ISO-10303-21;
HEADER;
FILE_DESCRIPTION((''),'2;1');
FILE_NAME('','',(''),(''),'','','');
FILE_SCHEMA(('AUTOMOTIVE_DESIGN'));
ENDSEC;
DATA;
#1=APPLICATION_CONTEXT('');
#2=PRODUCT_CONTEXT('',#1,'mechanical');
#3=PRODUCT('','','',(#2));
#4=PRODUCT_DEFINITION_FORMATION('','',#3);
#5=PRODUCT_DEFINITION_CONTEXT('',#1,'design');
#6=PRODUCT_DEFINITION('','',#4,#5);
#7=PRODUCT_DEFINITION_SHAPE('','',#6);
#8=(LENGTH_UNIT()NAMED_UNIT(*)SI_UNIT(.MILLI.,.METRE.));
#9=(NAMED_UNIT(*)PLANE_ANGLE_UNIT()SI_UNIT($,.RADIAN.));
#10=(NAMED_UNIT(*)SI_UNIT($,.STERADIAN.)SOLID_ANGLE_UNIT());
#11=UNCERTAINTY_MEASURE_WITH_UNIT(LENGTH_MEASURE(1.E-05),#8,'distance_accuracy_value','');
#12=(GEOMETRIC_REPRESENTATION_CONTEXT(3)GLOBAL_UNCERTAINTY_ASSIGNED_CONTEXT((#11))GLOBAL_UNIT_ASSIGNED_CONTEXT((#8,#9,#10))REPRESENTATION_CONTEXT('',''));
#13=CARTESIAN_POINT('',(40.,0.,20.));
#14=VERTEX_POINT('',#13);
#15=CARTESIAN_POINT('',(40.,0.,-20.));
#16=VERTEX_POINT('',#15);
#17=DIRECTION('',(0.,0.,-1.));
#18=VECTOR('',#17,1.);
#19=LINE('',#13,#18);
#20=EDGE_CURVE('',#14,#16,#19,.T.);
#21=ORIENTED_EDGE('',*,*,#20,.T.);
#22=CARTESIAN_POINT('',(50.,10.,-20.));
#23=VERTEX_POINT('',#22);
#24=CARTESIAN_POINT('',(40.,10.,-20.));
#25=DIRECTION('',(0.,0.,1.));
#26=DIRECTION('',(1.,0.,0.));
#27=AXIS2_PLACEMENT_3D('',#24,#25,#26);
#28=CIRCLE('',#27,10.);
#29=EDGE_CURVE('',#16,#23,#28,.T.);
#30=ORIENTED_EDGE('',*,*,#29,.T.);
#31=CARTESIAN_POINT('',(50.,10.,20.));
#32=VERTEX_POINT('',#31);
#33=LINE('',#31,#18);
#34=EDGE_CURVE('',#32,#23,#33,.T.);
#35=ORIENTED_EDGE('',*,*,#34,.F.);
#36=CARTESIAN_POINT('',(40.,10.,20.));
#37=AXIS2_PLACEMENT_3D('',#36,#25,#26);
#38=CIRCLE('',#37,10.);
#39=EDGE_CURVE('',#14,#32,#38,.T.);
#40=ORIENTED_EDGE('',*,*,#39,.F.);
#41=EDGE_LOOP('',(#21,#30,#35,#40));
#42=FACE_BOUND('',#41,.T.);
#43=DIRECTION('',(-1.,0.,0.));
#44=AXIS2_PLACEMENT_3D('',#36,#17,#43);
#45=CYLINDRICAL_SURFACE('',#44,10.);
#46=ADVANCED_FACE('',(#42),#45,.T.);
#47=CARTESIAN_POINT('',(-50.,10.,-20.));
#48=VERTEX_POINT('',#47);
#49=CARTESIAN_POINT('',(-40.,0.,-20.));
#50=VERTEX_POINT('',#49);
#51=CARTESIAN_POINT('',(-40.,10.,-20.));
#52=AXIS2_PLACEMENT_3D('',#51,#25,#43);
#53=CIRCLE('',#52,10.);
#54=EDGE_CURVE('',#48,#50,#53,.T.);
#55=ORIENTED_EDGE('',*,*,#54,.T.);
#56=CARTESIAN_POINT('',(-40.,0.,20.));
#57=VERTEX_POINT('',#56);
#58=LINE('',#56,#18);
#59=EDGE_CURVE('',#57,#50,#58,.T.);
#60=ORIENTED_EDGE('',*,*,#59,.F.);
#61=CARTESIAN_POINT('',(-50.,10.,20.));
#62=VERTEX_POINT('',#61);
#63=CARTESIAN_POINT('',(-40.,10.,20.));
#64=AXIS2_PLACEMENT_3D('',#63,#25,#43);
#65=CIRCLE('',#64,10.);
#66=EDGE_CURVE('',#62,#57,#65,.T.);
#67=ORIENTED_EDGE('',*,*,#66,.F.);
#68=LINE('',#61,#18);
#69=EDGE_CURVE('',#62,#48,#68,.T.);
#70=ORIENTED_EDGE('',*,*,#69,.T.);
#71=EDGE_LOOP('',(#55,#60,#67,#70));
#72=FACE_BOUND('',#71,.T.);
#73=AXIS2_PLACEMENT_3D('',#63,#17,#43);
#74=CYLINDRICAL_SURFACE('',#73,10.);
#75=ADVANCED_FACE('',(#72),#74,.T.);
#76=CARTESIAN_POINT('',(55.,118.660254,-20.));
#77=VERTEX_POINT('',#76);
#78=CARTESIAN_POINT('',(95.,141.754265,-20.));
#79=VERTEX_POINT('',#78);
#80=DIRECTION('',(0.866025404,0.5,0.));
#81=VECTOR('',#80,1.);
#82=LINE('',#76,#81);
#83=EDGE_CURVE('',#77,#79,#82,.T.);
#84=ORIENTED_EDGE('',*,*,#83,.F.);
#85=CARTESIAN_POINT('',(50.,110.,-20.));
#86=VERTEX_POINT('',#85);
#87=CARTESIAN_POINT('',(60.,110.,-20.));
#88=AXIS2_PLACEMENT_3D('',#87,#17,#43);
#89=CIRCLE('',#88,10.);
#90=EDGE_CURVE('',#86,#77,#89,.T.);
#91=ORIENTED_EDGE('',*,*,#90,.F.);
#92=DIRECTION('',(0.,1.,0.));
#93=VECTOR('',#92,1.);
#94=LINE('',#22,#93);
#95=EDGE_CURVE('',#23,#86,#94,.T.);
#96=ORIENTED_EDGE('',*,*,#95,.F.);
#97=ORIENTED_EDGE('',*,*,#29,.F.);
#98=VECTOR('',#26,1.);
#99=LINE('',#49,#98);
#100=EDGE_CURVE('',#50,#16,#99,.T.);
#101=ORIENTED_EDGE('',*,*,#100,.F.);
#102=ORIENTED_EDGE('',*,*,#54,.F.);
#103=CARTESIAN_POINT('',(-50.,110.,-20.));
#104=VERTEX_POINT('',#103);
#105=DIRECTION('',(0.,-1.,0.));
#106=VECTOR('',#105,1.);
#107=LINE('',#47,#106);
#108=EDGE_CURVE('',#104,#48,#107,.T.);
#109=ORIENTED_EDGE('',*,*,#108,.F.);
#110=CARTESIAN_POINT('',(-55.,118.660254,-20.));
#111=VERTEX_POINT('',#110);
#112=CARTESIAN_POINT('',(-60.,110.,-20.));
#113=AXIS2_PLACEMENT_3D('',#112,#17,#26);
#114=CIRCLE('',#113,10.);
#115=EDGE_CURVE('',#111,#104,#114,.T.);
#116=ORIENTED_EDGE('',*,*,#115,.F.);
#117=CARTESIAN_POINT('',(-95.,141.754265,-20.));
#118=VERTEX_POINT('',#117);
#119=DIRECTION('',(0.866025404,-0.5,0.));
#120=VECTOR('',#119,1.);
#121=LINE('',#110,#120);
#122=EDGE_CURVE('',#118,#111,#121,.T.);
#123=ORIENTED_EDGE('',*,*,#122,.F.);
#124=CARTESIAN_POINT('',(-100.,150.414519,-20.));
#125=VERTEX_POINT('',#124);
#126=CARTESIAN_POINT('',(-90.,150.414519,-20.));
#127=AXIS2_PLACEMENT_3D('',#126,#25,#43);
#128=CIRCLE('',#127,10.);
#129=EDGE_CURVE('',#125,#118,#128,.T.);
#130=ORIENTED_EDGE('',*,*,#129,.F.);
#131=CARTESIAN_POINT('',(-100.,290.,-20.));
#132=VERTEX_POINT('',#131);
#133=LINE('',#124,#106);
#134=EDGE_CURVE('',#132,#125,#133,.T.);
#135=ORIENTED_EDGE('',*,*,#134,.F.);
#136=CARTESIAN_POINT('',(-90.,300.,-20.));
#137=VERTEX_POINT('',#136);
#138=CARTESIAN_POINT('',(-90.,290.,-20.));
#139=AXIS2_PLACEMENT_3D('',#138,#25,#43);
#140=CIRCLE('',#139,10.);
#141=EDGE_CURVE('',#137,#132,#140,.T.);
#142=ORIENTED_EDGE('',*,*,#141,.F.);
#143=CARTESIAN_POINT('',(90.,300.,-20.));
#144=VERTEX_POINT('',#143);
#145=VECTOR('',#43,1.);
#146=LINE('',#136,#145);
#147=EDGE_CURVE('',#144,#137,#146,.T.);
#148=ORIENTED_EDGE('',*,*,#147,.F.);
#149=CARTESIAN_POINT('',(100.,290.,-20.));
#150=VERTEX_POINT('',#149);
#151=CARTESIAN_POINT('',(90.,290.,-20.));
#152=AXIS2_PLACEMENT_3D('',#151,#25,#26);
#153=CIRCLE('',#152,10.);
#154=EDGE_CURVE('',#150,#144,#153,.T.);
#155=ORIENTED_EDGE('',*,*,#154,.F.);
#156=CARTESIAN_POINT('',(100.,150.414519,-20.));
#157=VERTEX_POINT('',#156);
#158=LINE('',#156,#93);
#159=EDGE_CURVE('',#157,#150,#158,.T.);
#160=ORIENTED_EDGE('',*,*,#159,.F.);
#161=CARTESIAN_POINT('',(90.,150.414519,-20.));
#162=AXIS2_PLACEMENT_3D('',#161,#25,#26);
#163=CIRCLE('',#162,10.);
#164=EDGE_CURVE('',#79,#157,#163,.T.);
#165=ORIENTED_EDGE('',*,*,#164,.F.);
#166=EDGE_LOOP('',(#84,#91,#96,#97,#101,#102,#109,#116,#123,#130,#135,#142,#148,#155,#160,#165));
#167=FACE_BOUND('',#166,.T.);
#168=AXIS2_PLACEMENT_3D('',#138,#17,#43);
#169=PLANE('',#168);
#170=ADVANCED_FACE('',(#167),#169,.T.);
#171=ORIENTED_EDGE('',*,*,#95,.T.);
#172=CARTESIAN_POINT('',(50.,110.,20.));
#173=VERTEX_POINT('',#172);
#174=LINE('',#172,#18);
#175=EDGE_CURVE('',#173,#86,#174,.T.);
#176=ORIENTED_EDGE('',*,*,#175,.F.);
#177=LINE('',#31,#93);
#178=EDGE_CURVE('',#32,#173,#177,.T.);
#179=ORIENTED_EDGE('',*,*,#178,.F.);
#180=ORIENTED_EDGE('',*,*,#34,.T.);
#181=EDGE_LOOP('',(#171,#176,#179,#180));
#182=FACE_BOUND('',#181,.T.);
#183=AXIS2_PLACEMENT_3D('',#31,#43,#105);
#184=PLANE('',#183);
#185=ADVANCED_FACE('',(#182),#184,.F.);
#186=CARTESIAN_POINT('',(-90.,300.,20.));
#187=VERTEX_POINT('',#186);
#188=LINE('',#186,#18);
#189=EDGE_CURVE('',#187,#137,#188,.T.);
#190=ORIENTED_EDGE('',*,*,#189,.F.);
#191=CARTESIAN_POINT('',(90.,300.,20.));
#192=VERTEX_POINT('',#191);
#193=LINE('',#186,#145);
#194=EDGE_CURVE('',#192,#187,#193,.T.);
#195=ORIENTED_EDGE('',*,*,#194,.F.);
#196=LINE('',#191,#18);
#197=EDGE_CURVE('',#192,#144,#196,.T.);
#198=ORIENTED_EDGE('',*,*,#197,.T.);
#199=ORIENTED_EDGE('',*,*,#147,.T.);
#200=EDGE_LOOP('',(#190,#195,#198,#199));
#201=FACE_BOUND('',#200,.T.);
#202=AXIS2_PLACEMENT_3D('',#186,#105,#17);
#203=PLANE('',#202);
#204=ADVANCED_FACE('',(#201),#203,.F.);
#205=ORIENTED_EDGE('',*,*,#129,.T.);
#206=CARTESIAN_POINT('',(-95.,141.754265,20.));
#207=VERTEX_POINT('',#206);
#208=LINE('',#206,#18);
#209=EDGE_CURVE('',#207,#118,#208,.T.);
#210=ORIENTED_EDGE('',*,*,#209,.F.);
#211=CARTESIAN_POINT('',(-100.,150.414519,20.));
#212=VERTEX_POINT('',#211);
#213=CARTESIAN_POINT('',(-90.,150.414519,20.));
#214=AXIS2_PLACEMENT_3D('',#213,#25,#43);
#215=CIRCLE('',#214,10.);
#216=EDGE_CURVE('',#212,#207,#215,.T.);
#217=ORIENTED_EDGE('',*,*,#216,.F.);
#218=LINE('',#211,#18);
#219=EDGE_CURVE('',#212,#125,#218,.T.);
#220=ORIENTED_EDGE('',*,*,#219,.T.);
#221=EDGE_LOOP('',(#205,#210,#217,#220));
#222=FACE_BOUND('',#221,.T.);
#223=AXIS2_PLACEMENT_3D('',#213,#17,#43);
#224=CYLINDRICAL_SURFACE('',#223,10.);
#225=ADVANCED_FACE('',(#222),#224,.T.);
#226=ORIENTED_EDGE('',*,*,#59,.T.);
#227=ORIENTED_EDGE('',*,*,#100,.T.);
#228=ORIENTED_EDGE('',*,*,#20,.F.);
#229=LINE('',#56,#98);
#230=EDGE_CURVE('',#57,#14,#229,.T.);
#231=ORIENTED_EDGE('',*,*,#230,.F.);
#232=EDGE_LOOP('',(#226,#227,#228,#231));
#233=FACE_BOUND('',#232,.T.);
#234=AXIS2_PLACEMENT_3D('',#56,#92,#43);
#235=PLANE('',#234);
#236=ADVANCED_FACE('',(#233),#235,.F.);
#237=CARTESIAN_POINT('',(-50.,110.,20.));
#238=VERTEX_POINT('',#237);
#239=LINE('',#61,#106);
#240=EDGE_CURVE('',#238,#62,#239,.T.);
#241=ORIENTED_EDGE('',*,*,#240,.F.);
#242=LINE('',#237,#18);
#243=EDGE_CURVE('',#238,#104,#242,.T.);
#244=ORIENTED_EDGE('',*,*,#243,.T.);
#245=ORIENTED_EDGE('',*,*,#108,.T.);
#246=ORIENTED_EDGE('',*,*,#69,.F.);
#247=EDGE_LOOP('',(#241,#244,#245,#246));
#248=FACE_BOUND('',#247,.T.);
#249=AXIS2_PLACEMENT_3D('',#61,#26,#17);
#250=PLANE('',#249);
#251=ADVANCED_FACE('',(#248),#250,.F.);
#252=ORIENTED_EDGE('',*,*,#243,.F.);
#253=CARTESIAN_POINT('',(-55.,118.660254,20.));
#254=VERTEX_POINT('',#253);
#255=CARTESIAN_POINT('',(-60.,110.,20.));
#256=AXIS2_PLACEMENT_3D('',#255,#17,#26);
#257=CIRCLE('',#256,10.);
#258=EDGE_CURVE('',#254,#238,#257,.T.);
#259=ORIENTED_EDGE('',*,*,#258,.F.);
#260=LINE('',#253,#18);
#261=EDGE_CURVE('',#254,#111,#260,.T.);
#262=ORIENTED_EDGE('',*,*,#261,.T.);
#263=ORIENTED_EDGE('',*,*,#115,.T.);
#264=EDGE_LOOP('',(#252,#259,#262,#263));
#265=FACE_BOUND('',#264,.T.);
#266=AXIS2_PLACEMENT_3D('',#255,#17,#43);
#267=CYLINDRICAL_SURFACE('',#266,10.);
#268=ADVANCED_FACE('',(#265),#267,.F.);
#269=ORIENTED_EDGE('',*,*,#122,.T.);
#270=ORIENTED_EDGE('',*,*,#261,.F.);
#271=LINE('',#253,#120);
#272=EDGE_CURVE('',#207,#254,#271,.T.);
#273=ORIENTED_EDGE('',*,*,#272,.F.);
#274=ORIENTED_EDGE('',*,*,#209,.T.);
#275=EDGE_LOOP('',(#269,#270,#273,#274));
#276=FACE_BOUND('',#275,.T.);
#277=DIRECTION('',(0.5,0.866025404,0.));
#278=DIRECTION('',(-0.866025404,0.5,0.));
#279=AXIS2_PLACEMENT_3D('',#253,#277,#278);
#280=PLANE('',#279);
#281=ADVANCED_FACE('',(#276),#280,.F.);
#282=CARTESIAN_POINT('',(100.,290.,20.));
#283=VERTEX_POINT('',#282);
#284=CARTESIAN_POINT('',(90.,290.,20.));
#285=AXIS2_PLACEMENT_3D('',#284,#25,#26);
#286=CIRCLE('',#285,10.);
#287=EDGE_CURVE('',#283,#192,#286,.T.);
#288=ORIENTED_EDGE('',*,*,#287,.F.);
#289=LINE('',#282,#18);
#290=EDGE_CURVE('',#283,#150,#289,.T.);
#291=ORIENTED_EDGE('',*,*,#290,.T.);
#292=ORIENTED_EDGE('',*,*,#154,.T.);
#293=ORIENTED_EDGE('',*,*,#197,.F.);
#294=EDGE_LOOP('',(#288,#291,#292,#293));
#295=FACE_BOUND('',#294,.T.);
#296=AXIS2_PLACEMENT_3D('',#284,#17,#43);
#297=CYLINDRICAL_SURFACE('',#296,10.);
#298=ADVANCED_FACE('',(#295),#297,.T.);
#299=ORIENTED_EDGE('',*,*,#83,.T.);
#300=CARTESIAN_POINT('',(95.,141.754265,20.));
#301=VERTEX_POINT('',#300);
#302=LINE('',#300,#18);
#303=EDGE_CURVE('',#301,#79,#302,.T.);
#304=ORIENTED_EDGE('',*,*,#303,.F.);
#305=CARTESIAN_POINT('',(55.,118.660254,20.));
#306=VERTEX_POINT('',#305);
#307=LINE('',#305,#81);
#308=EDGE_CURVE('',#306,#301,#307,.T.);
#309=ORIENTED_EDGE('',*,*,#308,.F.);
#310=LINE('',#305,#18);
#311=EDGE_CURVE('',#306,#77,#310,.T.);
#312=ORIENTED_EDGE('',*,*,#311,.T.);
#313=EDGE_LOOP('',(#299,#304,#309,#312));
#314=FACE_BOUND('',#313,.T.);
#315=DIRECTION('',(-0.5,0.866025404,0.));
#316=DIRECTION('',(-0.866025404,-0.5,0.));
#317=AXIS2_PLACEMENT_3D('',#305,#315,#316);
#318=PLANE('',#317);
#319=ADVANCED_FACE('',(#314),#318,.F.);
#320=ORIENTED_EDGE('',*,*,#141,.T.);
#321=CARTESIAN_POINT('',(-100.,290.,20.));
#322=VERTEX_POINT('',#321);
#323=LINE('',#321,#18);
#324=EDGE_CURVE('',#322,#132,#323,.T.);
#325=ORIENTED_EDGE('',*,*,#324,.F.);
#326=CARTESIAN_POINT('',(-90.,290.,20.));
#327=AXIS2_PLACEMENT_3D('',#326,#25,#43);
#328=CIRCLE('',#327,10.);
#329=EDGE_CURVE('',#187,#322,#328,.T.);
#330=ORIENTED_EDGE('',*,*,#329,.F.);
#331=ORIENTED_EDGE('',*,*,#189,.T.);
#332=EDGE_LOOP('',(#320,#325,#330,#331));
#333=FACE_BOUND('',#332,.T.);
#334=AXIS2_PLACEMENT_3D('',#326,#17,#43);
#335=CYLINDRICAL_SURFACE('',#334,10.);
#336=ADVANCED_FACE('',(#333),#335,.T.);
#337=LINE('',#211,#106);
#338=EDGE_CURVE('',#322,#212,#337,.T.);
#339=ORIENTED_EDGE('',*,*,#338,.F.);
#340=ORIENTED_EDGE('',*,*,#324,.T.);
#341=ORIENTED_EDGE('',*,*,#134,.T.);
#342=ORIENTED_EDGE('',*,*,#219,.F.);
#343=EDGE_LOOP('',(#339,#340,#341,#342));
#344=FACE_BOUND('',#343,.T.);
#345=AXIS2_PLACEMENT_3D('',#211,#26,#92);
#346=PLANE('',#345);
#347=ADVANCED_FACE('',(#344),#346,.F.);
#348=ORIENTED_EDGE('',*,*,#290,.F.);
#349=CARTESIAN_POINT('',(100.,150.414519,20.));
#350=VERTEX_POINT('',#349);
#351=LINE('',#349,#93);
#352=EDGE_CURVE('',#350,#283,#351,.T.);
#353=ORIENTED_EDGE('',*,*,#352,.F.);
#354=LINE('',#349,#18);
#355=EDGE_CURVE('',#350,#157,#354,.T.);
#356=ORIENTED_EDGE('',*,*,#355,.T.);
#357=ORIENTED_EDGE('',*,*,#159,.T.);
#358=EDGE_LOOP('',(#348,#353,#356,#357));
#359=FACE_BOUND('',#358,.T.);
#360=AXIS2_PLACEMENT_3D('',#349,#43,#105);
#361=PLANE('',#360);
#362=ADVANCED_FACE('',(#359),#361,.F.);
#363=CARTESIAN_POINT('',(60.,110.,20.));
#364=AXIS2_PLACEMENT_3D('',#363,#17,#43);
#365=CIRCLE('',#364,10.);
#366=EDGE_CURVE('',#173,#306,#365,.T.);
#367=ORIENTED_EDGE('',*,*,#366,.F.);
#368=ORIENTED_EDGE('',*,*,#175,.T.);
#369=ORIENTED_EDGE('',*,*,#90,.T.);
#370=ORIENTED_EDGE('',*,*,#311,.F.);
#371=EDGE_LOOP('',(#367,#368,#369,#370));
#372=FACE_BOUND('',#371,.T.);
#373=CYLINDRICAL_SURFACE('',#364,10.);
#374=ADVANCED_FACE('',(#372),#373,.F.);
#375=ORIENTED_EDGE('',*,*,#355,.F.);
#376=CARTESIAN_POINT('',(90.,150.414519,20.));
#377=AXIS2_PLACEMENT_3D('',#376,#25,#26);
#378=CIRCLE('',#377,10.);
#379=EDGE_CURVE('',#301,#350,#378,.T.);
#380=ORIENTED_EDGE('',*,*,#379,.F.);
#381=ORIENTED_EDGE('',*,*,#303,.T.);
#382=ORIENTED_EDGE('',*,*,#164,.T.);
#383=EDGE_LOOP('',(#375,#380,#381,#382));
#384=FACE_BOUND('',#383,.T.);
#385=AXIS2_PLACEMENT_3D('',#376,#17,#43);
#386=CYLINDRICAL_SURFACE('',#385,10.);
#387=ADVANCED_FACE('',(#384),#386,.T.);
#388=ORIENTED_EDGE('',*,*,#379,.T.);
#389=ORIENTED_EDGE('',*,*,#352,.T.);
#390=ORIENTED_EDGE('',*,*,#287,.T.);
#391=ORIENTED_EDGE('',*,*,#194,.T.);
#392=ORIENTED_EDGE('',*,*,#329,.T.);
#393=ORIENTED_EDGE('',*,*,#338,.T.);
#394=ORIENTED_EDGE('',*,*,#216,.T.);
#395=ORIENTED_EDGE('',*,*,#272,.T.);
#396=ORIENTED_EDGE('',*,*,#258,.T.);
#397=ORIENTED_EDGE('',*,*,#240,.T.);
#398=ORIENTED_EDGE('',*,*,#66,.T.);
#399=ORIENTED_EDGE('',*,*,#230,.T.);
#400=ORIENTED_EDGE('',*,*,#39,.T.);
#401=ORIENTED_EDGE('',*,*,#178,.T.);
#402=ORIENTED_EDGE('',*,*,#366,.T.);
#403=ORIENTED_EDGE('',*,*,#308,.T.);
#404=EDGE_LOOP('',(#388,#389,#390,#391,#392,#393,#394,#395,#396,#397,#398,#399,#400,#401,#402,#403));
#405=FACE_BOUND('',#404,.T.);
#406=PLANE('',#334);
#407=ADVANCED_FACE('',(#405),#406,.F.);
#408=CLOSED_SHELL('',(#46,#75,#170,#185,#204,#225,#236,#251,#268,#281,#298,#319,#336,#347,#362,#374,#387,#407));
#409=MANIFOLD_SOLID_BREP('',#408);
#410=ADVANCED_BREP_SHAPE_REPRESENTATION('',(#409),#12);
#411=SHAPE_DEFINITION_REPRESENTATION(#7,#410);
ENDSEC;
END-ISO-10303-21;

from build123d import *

# Parameters (mm, degrees)
RESSALTO_EXTRUS_O1_DEPTH = 20


with BuildPart() as part:
    # Esboço1 → Ressalto-extrusão1 (new body, symmetric)
    with BuildSketch(Plane.XY):
        with BuildLine():
            Line((-40, 0), (40, 0))
            ThreePointArc((40, 0), (47.071067812, 2.928932188), (50, 10))
            Line((50, 10), (50, 110))
            ThreePointArc((50, 110), (51.339745962, 115), (55, 118.660254038))
            Line((55, 118.660254038), (95, 141.754264805))
            ThreePointArc((95, 141.754264805), (98.660254038, 145.414518843), (100, 150.414518843))
            Line((100, 150.414518843), (100, 290))
            ThreePointArc((100, 290), (97.071067812, 297.071067812), (90, 300))
            Line((90, 300), (-90, 300))
            ThreePointArc((-90, 300), (-97.071067812, 297.071067812), (-100, 290))
            Line((-100, 290), (-100, 150.414518843))
            ThreePointArc((-100, 150.414518843), (-98.660254038, 145.414518843), (-95, 141.754264805))
            Line((-95, 141.754264805), (-55, 118.660254038))
            ThreePointArc((-55, 118.660254038), (-51.339745962, 115), (-50, 110))
            Line((-50, 110), (-50, 10))
            ThreePointArc((-50, 10), (-47.071067812, 2.928932188), (-40, 0))
        make_face()
    extrude(amount=RESSALTO_EXTRUS_O1_DEPTH, both=True)


solid = part.part
